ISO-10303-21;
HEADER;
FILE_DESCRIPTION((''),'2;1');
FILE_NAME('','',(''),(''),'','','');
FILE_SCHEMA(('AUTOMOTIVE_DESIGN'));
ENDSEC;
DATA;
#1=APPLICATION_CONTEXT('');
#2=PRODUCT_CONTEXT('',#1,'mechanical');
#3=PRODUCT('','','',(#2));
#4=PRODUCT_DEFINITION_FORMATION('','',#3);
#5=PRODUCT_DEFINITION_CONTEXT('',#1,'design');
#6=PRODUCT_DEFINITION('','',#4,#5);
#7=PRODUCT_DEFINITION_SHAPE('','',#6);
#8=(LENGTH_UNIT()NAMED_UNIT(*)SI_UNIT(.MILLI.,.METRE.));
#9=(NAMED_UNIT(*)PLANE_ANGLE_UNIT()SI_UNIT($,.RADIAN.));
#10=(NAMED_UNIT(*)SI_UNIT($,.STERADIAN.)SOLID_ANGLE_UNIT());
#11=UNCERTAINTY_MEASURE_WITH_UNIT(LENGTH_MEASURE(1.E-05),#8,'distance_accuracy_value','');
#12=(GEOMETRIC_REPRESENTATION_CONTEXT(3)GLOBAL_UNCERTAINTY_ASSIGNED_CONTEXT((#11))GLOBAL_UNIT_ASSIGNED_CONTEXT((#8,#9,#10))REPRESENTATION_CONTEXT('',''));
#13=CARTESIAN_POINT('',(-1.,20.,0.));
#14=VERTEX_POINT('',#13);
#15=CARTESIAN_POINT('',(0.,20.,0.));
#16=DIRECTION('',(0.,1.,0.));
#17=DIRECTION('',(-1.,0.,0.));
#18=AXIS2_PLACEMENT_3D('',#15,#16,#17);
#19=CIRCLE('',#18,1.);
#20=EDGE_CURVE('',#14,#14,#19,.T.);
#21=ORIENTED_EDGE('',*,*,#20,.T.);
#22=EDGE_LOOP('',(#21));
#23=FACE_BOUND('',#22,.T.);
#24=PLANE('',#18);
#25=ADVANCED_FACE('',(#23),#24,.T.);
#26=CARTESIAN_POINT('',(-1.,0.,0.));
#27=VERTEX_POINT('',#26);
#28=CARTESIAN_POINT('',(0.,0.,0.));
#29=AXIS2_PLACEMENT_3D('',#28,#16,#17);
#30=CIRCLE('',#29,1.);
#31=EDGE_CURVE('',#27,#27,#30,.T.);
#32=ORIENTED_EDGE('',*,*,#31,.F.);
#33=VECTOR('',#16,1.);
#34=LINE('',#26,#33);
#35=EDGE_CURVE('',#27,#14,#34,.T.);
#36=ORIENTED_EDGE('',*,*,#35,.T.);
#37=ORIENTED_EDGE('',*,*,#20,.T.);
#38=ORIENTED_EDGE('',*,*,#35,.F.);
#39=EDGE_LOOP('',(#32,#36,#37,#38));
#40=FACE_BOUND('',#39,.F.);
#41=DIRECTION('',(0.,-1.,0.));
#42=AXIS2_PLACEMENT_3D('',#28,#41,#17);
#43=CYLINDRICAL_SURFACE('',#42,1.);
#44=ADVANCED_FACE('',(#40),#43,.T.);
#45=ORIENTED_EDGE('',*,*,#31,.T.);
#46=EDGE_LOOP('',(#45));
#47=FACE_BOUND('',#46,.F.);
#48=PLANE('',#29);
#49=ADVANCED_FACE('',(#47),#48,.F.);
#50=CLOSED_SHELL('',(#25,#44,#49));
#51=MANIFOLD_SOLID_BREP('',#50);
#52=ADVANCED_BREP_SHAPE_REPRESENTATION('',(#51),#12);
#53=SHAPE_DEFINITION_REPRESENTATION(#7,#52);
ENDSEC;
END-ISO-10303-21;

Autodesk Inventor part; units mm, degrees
ref_plane "YZ Plane" through (0, 0, 0) normal (1, 0, 0) x (0, 1, 0)
ref_plane "XZ Plane" through (0, 0, 0) normal (0, 1, 0) x (-1, 0, 0)
ref_plane "XY Plane" through (0, 0, 0) normal (0, 0, 1) x (1, 0, 0)
sketch "Sketch1" plane through (0, 0, 0) normal (0, 1, 0) x (-1, 0, 0)
  circle A0 centre (0, 0) radius 1
  dimension "d0" = 2
extrude "Extrusion1" add sketch "Sketch1" along normal blind 20
properties part number "rud_ujjba"
